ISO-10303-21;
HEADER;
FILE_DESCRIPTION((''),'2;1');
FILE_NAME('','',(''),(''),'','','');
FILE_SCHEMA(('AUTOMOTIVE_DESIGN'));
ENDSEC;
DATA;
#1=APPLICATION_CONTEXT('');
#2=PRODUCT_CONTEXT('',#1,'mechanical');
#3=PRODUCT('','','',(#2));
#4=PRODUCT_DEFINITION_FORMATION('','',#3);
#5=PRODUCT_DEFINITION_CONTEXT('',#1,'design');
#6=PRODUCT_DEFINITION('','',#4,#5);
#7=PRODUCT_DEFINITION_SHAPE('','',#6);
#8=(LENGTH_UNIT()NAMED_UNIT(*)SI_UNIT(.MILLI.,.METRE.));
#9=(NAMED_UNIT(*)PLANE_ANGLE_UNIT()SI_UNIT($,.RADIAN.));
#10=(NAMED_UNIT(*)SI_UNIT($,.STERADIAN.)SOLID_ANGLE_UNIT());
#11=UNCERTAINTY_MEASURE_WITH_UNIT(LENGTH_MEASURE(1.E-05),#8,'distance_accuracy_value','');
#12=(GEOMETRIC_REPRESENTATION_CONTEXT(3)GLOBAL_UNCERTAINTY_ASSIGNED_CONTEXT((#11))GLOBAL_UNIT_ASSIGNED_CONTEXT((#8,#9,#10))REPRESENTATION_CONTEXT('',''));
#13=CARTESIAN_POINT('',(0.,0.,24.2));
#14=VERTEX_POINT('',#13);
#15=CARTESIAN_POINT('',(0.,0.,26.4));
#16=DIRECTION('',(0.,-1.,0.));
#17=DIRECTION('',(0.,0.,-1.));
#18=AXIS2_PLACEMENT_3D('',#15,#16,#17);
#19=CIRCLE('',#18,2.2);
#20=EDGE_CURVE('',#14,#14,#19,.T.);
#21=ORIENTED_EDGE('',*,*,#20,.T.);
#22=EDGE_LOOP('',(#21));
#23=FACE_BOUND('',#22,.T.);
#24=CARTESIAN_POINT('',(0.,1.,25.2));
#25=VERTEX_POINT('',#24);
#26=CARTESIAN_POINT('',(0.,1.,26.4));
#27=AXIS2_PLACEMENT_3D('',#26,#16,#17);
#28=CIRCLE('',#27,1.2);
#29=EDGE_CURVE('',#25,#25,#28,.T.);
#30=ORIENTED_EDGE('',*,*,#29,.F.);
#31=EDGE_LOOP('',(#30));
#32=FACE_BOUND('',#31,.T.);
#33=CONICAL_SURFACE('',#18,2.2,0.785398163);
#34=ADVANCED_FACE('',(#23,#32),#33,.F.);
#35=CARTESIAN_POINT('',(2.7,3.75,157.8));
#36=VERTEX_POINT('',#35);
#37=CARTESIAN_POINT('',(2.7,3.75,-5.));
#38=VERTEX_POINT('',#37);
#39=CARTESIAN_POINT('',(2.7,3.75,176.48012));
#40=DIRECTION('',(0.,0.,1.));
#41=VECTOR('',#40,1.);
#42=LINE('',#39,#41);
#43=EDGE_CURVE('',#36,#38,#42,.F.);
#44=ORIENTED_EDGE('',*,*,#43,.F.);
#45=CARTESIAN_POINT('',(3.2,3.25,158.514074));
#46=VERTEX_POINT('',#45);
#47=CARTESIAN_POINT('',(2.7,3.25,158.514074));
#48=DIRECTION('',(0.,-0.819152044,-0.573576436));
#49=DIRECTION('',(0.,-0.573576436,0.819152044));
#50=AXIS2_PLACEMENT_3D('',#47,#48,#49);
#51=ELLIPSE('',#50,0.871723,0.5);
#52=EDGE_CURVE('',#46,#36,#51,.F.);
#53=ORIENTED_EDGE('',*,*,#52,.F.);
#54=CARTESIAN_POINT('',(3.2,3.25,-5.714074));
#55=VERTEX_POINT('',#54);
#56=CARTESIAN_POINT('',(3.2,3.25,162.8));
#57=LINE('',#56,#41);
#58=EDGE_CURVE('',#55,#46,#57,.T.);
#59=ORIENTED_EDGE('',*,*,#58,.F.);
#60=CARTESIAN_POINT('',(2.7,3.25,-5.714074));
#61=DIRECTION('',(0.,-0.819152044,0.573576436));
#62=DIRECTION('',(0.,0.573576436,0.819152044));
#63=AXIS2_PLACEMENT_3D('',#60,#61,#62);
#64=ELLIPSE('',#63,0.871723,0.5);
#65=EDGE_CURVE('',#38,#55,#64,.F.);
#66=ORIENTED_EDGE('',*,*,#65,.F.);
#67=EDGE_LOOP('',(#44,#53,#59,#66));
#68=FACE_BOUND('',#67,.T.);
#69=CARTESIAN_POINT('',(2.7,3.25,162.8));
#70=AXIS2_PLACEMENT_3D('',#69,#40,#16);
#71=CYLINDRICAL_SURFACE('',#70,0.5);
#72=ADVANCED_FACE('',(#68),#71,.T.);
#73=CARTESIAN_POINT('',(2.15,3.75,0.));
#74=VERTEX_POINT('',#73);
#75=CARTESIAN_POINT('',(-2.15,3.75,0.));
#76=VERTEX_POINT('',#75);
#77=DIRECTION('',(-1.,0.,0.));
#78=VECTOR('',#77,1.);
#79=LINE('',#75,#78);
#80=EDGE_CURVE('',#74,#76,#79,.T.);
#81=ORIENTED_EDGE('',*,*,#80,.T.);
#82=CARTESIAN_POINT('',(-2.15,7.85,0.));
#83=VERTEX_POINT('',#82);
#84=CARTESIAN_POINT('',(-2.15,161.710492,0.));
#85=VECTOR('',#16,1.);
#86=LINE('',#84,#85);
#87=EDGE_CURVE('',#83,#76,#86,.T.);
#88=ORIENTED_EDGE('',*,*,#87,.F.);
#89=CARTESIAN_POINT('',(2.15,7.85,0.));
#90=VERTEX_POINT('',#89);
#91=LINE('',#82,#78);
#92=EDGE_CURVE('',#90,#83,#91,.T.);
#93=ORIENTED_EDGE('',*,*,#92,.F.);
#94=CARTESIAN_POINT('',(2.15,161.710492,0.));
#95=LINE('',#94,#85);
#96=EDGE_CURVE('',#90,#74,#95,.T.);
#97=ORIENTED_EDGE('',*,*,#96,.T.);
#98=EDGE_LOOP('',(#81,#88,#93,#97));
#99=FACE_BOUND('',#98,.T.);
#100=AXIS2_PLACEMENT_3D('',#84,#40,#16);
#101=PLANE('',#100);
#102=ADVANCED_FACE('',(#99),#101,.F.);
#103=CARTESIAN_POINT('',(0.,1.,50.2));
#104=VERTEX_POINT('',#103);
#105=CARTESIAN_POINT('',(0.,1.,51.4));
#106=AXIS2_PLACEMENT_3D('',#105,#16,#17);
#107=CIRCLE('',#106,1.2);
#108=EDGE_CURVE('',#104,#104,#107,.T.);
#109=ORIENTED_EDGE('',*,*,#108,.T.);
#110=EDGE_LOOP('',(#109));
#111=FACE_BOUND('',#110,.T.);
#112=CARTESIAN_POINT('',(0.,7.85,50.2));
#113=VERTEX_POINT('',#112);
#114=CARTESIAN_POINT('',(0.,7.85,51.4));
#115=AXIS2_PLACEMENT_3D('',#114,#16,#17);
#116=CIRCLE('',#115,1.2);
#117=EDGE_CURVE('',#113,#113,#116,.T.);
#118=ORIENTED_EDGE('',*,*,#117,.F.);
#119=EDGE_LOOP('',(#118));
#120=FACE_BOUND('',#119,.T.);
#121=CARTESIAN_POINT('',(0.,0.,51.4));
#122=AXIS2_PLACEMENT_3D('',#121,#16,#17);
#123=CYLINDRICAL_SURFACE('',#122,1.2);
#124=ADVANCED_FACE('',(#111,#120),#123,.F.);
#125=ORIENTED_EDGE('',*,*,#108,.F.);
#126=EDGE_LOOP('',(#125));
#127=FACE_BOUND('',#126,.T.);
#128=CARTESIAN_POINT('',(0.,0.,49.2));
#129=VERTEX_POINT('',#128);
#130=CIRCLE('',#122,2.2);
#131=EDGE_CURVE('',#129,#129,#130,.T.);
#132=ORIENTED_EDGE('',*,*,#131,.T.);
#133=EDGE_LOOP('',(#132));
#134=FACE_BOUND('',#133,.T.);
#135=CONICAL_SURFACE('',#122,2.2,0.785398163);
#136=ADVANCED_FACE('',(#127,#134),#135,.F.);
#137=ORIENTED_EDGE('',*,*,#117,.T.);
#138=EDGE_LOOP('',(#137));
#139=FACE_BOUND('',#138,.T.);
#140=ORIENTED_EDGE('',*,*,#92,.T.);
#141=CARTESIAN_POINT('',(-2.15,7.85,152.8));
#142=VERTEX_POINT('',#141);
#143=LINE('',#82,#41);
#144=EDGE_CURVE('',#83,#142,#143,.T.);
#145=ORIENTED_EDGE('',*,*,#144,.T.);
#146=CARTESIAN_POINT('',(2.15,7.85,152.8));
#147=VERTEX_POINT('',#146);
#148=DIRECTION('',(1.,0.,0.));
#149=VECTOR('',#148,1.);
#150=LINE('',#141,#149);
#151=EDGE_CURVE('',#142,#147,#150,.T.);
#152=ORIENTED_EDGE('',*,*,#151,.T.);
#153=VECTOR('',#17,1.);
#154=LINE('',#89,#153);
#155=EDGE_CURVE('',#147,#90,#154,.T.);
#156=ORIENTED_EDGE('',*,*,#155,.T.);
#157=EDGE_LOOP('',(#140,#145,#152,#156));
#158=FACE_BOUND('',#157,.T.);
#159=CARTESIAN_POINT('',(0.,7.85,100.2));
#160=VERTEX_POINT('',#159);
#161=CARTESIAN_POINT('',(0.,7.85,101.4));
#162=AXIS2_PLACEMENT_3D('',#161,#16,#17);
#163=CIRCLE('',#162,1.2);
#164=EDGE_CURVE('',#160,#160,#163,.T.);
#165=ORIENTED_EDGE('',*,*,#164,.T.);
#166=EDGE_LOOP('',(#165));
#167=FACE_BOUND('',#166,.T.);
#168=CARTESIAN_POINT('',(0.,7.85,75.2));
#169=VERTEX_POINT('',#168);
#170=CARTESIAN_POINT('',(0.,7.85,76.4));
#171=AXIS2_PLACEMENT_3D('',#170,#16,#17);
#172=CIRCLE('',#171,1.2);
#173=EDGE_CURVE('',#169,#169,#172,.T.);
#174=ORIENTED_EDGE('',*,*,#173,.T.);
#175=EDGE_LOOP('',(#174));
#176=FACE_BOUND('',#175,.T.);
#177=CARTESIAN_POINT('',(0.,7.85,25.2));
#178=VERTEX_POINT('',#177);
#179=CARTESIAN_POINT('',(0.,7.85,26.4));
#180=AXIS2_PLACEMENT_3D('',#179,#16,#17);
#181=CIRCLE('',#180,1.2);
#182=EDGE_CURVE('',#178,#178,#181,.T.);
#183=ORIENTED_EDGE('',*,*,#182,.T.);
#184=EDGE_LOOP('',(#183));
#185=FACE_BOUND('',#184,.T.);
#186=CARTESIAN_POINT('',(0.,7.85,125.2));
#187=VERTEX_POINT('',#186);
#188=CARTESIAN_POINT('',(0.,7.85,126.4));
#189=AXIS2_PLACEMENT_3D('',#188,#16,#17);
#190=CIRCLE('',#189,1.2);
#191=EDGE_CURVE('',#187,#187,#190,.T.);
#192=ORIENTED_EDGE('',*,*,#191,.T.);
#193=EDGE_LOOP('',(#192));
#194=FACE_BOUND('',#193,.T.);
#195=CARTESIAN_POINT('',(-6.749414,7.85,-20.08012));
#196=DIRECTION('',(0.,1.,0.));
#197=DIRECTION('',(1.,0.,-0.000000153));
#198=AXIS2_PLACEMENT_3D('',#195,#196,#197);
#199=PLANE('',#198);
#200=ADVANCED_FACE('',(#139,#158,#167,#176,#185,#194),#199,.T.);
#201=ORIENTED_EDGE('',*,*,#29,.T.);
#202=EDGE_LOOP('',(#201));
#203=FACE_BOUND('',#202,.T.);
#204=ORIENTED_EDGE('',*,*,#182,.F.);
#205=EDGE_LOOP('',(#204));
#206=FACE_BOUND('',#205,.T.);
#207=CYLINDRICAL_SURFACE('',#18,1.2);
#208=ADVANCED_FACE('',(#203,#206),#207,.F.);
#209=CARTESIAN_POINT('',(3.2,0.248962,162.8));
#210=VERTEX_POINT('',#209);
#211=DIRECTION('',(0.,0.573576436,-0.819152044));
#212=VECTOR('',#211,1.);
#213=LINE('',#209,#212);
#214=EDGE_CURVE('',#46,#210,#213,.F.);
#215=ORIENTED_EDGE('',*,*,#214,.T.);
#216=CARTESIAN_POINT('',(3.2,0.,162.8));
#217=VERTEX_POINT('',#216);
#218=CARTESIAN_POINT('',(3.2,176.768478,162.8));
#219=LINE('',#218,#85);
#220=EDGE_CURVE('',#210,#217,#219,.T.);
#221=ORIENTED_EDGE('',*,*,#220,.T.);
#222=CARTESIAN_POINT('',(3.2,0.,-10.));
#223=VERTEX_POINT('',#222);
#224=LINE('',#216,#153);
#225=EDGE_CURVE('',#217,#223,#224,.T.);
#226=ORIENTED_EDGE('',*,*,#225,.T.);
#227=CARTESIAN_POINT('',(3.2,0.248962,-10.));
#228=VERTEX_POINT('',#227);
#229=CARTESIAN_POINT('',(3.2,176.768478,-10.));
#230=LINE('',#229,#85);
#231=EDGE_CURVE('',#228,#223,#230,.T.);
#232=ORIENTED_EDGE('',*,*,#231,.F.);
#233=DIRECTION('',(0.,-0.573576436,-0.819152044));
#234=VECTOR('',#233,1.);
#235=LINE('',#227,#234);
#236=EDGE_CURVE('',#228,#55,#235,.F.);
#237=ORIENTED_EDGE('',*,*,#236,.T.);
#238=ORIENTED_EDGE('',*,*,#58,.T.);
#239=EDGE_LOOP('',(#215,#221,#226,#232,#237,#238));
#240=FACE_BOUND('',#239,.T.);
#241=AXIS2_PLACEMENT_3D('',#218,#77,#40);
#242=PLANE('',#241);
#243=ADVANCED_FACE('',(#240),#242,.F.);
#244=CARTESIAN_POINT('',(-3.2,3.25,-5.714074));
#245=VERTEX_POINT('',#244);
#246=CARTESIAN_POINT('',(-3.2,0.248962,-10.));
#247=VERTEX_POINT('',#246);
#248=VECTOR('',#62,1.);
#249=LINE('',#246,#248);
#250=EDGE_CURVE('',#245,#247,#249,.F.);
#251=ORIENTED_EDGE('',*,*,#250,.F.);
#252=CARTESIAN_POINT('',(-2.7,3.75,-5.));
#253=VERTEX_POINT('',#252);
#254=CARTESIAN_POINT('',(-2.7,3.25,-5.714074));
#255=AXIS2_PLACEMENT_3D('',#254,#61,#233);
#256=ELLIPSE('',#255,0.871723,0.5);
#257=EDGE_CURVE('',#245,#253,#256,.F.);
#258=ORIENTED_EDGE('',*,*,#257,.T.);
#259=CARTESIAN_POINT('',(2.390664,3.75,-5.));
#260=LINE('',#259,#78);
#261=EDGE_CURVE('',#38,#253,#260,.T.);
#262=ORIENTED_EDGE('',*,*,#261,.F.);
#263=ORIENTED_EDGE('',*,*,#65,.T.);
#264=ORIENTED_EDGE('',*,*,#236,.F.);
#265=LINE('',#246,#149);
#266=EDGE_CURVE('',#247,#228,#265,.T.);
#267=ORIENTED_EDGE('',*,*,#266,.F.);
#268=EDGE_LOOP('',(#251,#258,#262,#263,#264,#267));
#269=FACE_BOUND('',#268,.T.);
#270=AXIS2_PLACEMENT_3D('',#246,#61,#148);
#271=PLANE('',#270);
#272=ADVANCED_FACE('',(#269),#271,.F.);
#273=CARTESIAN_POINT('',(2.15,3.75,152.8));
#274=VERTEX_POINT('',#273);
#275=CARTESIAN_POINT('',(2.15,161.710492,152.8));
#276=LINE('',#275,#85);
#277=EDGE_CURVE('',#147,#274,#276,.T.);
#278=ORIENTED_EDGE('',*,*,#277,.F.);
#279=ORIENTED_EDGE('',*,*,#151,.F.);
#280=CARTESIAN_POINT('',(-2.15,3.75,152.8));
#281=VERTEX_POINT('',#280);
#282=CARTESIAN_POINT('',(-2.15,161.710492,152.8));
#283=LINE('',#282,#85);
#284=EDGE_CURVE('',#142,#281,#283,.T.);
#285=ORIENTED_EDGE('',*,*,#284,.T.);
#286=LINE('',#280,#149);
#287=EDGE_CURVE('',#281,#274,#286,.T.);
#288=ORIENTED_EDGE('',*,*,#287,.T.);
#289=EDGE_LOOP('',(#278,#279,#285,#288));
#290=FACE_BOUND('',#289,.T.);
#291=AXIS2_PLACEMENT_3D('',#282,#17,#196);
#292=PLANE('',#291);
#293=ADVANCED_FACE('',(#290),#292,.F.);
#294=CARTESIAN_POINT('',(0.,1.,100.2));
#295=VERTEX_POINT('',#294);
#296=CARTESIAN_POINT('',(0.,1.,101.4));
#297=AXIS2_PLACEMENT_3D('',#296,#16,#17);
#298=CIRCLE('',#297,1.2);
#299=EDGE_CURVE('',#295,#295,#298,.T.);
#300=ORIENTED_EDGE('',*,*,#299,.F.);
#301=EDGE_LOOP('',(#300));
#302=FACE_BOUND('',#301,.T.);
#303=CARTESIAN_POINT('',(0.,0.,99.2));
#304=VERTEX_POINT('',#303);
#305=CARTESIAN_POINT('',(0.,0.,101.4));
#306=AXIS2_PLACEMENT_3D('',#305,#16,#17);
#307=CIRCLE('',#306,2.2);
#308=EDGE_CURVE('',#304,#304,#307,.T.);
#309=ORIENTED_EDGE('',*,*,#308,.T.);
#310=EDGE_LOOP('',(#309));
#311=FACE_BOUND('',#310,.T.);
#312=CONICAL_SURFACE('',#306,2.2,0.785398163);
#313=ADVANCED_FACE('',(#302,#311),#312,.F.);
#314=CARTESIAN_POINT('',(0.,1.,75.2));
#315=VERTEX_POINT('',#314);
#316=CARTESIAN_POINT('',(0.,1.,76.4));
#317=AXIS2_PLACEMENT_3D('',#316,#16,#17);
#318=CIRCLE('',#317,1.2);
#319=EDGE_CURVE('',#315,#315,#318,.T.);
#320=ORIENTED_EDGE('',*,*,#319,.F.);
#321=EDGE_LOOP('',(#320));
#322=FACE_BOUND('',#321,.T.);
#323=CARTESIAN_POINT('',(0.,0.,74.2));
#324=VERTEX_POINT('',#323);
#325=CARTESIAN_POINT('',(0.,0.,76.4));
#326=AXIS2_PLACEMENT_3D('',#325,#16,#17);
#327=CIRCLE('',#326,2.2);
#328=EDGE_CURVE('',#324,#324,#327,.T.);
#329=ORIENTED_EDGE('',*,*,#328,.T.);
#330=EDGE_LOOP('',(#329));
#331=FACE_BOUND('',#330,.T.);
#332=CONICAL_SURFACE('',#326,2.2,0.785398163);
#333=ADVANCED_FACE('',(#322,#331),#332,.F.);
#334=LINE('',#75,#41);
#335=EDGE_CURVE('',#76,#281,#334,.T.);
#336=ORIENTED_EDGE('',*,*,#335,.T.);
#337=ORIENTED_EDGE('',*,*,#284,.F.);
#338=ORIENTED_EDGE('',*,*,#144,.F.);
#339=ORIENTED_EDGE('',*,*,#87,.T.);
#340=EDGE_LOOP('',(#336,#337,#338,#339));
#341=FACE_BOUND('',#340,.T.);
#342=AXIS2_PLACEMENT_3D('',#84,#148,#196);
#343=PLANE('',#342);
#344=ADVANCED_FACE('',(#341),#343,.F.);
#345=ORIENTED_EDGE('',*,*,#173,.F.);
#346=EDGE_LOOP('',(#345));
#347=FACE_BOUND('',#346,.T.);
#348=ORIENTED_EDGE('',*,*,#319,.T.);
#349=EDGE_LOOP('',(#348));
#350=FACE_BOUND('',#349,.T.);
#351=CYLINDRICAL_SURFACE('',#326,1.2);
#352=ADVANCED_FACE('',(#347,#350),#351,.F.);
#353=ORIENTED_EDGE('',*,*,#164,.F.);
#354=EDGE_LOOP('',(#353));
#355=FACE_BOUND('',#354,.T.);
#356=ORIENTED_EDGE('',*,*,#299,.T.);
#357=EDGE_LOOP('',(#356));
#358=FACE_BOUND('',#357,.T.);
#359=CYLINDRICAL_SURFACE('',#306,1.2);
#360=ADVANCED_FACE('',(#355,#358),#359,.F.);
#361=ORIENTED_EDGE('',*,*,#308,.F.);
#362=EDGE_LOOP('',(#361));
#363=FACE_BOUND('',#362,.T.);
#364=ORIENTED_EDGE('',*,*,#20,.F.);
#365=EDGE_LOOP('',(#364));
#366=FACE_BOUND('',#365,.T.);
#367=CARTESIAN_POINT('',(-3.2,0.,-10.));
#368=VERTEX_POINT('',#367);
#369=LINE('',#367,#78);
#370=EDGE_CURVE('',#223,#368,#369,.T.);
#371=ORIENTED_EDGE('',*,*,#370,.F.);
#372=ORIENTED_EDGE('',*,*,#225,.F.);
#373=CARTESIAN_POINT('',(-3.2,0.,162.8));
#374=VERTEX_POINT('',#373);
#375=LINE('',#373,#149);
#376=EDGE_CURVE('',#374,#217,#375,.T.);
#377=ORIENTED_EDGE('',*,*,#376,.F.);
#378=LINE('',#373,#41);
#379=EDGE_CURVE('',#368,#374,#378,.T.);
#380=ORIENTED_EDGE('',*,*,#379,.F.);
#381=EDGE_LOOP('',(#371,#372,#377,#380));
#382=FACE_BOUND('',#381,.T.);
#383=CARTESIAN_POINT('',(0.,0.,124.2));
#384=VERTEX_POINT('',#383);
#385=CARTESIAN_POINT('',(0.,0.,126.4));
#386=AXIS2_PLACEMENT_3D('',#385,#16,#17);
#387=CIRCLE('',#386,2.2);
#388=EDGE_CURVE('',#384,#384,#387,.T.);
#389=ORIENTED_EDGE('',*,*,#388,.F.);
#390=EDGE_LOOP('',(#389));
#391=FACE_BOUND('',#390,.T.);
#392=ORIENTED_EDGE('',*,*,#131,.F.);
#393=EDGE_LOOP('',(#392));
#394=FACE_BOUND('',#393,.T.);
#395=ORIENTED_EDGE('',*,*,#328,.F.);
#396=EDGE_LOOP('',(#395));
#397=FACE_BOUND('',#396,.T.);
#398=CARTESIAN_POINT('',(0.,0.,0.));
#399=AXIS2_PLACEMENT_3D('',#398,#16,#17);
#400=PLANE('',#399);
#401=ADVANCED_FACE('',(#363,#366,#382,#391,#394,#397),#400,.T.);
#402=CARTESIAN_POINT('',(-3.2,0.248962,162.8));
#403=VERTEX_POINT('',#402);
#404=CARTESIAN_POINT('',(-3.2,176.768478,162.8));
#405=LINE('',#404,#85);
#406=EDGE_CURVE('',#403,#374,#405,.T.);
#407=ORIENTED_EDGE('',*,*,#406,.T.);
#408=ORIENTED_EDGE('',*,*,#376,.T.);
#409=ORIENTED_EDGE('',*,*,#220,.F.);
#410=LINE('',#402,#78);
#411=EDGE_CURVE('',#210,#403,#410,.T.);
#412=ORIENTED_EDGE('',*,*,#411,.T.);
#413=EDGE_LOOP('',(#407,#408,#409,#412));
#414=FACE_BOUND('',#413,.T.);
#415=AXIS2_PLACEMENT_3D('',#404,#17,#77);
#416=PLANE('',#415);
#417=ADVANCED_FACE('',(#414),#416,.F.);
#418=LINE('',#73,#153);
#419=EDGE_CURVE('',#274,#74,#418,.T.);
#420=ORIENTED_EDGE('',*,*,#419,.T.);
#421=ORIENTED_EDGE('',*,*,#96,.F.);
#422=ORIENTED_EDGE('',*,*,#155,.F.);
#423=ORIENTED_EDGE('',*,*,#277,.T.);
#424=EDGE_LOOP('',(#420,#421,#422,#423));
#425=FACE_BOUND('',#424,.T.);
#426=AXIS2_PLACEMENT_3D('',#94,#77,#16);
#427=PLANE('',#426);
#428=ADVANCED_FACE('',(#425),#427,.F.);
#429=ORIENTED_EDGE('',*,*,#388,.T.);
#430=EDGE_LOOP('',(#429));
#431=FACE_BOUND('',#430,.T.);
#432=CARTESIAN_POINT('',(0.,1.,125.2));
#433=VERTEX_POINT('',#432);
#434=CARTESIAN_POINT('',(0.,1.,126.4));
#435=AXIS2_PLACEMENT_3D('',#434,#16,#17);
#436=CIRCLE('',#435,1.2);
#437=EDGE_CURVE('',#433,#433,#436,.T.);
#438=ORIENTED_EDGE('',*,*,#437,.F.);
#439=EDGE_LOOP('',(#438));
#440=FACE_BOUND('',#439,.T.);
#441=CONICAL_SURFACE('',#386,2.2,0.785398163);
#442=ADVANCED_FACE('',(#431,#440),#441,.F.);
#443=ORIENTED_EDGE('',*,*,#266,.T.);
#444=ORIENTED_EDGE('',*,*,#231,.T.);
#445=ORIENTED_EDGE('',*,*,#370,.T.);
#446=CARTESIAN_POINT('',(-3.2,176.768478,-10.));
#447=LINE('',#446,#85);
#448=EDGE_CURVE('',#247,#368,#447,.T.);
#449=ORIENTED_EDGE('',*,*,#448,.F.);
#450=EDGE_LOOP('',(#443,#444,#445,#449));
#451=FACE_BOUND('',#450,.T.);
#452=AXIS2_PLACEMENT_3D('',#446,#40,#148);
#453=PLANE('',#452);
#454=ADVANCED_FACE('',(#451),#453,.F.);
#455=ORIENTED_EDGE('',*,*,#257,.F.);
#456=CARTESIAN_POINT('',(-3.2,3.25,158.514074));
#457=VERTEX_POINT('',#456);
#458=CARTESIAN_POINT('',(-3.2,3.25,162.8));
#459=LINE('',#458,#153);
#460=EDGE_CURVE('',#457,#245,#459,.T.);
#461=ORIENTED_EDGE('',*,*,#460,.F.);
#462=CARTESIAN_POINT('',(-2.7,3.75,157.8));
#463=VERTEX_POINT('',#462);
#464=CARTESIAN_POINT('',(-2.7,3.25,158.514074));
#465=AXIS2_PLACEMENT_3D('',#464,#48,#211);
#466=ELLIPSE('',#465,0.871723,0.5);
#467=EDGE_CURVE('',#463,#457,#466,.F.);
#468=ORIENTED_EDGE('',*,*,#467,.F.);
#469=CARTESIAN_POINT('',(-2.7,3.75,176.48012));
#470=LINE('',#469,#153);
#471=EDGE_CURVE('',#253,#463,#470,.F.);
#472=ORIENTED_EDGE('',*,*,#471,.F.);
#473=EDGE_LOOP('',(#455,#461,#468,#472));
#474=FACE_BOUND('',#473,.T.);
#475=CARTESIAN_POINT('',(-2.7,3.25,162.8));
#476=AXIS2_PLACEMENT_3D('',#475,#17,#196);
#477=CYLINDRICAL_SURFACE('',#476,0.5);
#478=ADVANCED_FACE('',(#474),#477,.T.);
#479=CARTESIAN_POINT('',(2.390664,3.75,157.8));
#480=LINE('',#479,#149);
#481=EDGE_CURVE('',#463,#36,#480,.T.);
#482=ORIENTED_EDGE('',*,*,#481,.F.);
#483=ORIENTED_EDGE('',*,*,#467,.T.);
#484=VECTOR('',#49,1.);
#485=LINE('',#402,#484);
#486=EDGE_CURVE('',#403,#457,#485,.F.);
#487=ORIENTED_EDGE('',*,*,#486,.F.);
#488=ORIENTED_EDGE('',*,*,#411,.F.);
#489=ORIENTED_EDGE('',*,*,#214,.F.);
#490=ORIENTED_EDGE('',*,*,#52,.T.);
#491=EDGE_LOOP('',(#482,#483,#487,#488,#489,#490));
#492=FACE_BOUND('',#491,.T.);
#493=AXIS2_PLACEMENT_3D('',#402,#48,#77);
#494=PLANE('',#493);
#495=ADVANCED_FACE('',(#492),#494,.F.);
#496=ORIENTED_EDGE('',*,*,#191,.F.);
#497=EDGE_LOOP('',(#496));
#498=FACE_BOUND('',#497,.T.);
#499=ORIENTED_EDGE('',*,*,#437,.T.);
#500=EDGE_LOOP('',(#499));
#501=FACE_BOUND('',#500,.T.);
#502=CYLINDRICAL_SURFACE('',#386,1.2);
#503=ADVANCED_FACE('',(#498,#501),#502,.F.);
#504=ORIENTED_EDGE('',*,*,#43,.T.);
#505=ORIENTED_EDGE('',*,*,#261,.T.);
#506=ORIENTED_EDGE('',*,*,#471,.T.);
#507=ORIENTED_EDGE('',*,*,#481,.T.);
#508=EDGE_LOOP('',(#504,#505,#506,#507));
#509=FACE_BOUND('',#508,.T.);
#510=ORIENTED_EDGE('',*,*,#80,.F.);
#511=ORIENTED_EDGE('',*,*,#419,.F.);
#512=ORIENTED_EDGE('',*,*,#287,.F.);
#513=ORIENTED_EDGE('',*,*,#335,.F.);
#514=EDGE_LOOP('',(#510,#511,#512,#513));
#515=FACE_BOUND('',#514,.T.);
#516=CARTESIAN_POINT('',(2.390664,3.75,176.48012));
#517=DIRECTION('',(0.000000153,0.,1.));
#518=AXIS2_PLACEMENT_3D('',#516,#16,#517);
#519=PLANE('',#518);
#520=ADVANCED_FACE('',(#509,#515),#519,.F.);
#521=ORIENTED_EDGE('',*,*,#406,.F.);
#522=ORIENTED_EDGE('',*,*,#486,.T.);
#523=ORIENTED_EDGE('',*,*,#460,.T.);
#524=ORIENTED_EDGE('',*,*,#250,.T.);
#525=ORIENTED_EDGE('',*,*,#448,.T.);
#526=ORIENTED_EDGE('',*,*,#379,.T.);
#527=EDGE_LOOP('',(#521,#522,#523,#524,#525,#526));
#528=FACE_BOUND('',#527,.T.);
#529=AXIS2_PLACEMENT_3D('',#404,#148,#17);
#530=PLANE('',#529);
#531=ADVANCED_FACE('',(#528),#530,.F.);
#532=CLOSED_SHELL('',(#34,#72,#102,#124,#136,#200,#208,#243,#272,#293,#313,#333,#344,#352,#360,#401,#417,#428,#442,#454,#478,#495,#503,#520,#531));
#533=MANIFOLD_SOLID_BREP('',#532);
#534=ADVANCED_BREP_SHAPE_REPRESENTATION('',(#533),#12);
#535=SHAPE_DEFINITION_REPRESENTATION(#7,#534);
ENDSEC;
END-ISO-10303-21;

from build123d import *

# Parameters (mm, degrees)
SKETCH1_W                                       = 6.4
SKETCH1_H                                       = 172.8
BOSS_EXTRUDE1_DEPTH                             = 3.75
CHAMFER4_SIZE                                   = 5
CHAMFER4_SIZE2                                  = 3.501037691
FILLET1_R                                       = 0.5
SKETCH2_W                                       = 4.3
SKETCH2_H                                       = 152.8
BOSS_EXTRUDE2_DEPTH                             = 4.1
CSK_FOR_M2_FLAT_HEAD_MACHINE_SCREW1_D           = 2.4
CSK_FOR_M2_FLAT_HEAD_MACHINE_SCREW1_CSINK_D     = 4.4
CSK_FOR_M2_FLAT_HEAD_MACHINE_SCREW1_CSINK_ANGLE = 90
LPATTERN1_COUNT                                 = 3
LPATTERN1_PITCH                                 = 25
LPATTERN1_COL_COUNT                             = 3
LPATTERN1_COL_PITCH                             = 25


with BuildPart() as part:
    # Sketch1 → Boss-Extrude1 (new body)
    with BuildSketch(Plane(origin=(0, 0, 0), x_dir=(1, 0, 0), z_dir=(0, 1, 0))):
        with Locations((0, -76.4)):
            Rectangle(SKETCH1_W, SKETCH1_H)
    extrude(amount=BOSS_EXTRUDE1_DEPTH)

    # Chamfer4
    chamfer4_edges = [part.edges().sort_by_distance(p)[0] for p in [
        (0, 3.75, 162.8),
        (0, 3.75, -10),
    ]]
    chamfer4_side = [part.faces().sort_by_distance(p)[0] for p in [
        (0, 3.75, 76.4),
    ]]
    chamfer(chamfer4_edges, length=CHAMFER4_SIZE, length2=CHAMFER4_SIZE2, reference=chamfer4_side[0])

    # Fillet1
    fillet1_edges = [part.edges().sort_by_distance(p)[0] for p in [
        (-3.2, 3.75, 76.4),
        (3.2, 3.75, 76.4),
    ]]
    fillet(fillet1_edges, radius=FILLET1_R)

    # Sketch2 → Boss-Extrude2 (add)
    with BuildSketch(Plane(origin=(0, 3.75, 0), x_dir=(1, 0, 0), z_dir=(0, 1, 0))):
        with Locations((0, -76.4)):
            Rectangle(SKETCH2_W, SKETCH2_H)
    extrude(amount=BOSS_EXTRUDE2_DEPTH)

    # CSK for M2 Flat Head Machine Screw1 (through all)
    with Locations(Plane.XZ):
        with Locations((0, 76.4)):
            csk_for_m2_flat_head_machine_screw1 = CounterSinkHole(CSK_FOR_M2_FLAT_HEAD_MACHINE_SCREW1_D / 2, CSK_FOR_M2_FLAT_HEAD_MACHINE_SCREW1_CSINK_D / 2, counter_sink_angle=CSK_FOR_M2_FLAT_HEAD_MACHINE_SCREW1_CSINK_ANGLE)

    # LPattern1: CSK for M2 Flat Head Machine Screw1 ×3
    with Locations(*[(0, 0, -i * LPATTERN1_PITCH) for i in range(1, LPATTERN1_COUNT)]):
        add(csk_for_m2_flat_head_machine_screw1, mode=Mode.SUBTRACT)

    # LPattern1 col: CSK for M2 Flat Head Machine Screw1 ×3
    with Locations(*[(0, 0, i * LPATTERN1_COL_PITCH) for i in range(1, LPATTERN1_COL_COUNT)]):
        add(csk_for_m2_flat_head_machine_screw1, mode=Mode.SUBTRACT)


solid = part.part
